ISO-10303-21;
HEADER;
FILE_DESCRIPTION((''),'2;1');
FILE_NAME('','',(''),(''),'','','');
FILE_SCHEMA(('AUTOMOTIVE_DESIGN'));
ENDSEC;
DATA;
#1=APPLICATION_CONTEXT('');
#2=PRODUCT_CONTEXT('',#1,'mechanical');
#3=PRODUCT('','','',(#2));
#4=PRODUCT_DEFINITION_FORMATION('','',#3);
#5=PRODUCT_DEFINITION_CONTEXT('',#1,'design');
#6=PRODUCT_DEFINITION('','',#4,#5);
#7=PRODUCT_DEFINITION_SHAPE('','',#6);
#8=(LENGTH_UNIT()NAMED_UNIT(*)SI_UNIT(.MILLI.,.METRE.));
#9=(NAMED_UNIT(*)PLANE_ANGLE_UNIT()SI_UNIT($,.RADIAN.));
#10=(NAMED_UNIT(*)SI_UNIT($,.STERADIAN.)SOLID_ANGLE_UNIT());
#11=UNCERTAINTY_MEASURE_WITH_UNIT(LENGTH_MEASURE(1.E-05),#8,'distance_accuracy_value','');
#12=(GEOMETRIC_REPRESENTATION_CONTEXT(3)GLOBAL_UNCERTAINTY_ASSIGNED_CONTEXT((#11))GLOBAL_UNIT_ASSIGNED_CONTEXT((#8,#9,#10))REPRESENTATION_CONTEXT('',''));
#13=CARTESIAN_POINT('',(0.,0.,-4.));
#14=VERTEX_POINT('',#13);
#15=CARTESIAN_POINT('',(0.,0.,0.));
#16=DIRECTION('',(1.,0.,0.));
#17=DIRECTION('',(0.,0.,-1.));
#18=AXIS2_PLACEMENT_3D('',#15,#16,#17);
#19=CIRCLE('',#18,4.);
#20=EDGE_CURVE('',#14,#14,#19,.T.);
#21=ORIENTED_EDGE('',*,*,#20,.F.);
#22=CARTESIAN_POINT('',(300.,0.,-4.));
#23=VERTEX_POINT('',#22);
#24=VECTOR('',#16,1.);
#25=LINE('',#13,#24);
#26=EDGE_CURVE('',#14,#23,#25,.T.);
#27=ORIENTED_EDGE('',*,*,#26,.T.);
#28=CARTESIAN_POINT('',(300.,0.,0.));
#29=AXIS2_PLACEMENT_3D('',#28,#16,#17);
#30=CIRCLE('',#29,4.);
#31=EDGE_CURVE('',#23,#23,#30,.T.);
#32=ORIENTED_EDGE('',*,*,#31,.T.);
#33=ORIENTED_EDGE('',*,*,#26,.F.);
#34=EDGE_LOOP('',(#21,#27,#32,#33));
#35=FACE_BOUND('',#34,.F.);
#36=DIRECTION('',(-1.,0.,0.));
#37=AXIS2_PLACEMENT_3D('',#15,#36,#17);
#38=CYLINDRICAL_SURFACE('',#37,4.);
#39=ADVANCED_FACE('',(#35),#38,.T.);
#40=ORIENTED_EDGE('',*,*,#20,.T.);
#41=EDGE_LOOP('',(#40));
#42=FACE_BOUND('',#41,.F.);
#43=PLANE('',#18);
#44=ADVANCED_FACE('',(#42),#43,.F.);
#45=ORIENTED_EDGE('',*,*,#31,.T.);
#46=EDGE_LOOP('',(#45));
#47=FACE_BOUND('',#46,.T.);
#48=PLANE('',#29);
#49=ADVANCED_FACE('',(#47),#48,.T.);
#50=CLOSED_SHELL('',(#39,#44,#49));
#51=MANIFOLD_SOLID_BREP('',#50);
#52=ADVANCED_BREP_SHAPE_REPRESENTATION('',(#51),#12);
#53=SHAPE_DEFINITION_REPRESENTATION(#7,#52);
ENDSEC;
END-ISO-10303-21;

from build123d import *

# Parameters (mm, degrees)
SKETCH2_R           = 4
BOSS_EXTRUDE1_DEPTH = 300


with BuildPart() as part:
    # Sketch2 → Boss-Extrude1 (new body)
    with BuildSketch(Plane(origin=(0, 0, 0), x_dir=(0, 0, -1), z_dir=(1, 0, 0))):
        Circle(SKETCH2_R)
    extrude(amount=BOSS_EXTRUDE1_DEPTH)


solid = part.part
